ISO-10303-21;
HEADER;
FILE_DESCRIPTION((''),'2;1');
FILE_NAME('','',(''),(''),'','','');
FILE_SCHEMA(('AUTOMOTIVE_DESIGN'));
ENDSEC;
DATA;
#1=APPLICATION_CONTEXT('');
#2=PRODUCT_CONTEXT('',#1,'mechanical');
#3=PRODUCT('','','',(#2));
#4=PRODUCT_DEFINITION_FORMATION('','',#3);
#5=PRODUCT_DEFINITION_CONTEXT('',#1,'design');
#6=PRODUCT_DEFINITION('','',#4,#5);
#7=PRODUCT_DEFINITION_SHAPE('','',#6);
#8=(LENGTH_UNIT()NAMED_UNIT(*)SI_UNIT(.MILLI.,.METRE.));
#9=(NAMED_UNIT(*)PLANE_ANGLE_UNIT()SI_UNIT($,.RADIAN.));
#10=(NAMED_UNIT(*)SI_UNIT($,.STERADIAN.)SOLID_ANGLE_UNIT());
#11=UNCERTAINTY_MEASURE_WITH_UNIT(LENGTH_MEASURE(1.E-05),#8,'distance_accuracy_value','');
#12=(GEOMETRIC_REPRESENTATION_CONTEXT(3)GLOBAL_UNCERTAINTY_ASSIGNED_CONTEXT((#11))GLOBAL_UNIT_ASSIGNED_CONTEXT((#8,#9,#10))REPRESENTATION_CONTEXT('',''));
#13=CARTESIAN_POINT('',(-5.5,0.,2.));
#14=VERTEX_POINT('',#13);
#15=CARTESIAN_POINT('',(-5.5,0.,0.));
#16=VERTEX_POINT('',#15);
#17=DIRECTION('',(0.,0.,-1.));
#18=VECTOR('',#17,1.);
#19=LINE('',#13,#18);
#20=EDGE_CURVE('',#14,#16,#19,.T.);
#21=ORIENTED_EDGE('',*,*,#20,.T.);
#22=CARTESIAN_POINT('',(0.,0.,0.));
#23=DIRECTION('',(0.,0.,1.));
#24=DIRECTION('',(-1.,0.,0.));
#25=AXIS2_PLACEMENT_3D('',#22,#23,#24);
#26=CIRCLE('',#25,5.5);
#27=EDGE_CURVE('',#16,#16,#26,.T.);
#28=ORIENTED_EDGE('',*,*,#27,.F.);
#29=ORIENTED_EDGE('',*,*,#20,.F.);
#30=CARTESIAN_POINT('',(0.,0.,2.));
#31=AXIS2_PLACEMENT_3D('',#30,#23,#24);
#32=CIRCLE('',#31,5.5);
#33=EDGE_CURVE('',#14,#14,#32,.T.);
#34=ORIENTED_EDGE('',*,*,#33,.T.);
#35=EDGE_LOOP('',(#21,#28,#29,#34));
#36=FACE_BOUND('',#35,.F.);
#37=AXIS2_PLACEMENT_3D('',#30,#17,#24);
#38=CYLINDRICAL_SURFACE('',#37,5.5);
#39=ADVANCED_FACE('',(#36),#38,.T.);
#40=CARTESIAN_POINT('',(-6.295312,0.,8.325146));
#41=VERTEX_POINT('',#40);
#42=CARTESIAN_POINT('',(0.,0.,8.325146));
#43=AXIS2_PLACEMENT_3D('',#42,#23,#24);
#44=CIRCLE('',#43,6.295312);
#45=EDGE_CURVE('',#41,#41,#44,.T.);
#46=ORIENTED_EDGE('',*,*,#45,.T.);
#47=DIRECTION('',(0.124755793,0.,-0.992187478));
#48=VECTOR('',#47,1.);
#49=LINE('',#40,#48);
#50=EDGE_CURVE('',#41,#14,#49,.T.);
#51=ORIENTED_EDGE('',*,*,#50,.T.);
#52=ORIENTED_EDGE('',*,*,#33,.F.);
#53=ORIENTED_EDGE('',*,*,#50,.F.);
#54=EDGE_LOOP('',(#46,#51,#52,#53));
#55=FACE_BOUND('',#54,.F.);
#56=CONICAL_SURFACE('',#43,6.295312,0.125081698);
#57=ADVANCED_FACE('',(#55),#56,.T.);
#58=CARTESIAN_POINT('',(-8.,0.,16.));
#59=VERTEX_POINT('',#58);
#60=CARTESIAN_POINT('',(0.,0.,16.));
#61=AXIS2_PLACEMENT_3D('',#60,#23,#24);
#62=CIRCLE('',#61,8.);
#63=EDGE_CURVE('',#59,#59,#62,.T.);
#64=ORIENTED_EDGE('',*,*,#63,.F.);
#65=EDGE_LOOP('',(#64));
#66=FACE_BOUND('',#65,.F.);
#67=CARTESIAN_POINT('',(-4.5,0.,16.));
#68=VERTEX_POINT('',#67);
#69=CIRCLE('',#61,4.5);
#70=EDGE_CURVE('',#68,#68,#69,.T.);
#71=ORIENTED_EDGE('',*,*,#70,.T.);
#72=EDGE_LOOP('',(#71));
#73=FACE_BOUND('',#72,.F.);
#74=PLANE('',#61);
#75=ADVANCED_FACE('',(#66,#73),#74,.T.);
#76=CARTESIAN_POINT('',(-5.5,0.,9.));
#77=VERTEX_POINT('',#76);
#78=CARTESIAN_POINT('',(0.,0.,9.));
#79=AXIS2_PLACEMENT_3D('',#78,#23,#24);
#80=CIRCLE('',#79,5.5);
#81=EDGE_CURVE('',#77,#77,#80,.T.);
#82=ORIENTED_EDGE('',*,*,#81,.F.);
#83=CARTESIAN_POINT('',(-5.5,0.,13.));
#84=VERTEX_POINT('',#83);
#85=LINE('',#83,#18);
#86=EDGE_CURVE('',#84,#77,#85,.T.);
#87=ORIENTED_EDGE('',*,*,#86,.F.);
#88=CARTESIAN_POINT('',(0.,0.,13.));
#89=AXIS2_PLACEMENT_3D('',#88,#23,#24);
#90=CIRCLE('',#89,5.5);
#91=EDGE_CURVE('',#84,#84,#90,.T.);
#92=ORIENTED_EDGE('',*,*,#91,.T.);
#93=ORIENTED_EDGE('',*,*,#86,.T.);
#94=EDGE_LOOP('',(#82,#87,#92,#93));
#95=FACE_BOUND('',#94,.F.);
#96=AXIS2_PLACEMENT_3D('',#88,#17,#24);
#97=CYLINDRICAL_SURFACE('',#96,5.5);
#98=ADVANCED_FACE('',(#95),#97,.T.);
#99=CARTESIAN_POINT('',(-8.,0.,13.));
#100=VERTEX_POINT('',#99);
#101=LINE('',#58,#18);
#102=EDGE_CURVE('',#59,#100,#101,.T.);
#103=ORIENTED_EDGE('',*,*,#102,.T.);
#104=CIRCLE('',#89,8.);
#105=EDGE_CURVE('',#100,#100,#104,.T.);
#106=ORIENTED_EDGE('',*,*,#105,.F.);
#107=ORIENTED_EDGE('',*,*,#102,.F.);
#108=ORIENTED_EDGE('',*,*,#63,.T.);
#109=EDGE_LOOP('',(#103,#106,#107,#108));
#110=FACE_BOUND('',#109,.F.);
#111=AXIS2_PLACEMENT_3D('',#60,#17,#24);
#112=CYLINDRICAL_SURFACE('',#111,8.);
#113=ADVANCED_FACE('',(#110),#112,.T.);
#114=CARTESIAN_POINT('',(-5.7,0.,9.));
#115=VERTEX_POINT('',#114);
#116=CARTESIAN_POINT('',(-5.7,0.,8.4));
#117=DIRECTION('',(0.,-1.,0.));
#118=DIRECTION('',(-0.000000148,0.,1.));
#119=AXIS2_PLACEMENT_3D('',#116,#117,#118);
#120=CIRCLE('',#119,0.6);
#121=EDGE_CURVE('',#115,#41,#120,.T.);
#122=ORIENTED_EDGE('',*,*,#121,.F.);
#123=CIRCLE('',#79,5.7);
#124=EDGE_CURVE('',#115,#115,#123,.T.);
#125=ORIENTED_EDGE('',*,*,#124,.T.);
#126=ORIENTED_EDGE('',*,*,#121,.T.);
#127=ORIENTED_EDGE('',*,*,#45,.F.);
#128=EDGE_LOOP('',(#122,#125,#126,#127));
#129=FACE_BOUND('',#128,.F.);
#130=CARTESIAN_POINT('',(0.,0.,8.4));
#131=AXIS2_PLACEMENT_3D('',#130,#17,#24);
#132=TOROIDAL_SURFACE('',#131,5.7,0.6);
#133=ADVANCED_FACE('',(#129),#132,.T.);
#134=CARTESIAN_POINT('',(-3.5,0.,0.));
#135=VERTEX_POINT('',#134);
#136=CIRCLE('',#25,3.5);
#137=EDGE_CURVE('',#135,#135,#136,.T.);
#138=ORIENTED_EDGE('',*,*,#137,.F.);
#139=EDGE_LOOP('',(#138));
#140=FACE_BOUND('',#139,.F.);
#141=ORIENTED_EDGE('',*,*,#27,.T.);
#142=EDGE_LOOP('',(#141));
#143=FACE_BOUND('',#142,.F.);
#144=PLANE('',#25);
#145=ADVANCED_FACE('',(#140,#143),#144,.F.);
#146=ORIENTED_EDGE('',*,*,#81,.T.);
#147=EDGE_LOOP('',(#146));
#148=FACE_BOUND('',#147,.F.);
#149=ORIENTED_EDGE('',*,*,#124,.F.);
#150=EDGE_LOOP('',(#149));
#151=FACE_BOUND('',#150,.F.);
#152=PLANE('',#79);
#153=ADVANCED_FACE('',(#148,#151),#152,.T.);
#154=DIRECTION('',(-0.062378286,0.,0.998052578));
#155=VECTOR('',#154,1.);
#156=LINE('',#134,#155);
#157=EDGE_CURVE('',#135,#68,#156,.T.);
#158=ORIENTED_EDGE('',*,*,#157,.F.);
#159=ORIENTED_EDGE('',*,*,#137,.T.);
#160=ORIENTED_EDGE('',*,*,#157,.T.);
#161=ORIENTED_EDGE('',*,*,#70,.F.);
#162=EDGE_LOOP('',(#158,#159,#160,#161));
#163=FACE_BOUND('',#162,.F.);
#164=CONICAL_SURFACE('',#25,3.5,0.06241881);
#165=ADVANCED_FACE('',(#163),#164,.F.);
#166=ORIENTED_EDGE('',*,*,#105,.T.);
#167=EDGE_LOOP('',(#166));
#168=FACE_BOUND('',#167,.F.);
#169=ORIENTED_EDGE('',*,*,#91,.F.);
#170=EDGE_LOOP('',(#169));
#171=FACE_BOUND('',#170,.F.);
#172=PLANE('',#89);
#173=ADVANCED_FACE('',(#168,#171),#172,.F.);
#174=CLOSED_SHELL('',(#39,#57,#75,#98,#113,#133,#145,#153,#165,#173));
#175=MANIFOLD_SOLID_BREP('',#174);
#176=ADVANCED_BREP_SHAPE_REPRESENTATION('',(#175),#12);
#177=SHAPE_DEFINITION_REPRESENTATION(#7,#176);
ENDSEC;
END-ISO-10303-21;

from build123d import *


with BuildPart() as part:
    # Sketch → Revolution (revolve)
    with BuildSketch(Plane.XZ):
        with BuildLine():
            Line((-4.5, 16), (-8, 16))
            Line((-8, 16), (-8, 13))
            Line((-8, 13), (-5.5, 13))
            Line((-5.5, 13), (-5.5, 9))
            Line((-5.5, 9), (-5.7, 9))
            ThreePointArc((-5.7, 9), (-6.149951, 8.796918), (-6.295312, 8.325146))
            Line((-6.295312, 8.325146), (-5.5, 2))
            Line((-5.5, 2), (-5.5, 0))
            Line((-5.5, 0), (-3.5, 0))
            Line((-3.5, 0), (-4.5, 16))
        make_face()
    revolve(axis=Axis((0, 0, 0), (0, 0, 1)))


solid = part.part
